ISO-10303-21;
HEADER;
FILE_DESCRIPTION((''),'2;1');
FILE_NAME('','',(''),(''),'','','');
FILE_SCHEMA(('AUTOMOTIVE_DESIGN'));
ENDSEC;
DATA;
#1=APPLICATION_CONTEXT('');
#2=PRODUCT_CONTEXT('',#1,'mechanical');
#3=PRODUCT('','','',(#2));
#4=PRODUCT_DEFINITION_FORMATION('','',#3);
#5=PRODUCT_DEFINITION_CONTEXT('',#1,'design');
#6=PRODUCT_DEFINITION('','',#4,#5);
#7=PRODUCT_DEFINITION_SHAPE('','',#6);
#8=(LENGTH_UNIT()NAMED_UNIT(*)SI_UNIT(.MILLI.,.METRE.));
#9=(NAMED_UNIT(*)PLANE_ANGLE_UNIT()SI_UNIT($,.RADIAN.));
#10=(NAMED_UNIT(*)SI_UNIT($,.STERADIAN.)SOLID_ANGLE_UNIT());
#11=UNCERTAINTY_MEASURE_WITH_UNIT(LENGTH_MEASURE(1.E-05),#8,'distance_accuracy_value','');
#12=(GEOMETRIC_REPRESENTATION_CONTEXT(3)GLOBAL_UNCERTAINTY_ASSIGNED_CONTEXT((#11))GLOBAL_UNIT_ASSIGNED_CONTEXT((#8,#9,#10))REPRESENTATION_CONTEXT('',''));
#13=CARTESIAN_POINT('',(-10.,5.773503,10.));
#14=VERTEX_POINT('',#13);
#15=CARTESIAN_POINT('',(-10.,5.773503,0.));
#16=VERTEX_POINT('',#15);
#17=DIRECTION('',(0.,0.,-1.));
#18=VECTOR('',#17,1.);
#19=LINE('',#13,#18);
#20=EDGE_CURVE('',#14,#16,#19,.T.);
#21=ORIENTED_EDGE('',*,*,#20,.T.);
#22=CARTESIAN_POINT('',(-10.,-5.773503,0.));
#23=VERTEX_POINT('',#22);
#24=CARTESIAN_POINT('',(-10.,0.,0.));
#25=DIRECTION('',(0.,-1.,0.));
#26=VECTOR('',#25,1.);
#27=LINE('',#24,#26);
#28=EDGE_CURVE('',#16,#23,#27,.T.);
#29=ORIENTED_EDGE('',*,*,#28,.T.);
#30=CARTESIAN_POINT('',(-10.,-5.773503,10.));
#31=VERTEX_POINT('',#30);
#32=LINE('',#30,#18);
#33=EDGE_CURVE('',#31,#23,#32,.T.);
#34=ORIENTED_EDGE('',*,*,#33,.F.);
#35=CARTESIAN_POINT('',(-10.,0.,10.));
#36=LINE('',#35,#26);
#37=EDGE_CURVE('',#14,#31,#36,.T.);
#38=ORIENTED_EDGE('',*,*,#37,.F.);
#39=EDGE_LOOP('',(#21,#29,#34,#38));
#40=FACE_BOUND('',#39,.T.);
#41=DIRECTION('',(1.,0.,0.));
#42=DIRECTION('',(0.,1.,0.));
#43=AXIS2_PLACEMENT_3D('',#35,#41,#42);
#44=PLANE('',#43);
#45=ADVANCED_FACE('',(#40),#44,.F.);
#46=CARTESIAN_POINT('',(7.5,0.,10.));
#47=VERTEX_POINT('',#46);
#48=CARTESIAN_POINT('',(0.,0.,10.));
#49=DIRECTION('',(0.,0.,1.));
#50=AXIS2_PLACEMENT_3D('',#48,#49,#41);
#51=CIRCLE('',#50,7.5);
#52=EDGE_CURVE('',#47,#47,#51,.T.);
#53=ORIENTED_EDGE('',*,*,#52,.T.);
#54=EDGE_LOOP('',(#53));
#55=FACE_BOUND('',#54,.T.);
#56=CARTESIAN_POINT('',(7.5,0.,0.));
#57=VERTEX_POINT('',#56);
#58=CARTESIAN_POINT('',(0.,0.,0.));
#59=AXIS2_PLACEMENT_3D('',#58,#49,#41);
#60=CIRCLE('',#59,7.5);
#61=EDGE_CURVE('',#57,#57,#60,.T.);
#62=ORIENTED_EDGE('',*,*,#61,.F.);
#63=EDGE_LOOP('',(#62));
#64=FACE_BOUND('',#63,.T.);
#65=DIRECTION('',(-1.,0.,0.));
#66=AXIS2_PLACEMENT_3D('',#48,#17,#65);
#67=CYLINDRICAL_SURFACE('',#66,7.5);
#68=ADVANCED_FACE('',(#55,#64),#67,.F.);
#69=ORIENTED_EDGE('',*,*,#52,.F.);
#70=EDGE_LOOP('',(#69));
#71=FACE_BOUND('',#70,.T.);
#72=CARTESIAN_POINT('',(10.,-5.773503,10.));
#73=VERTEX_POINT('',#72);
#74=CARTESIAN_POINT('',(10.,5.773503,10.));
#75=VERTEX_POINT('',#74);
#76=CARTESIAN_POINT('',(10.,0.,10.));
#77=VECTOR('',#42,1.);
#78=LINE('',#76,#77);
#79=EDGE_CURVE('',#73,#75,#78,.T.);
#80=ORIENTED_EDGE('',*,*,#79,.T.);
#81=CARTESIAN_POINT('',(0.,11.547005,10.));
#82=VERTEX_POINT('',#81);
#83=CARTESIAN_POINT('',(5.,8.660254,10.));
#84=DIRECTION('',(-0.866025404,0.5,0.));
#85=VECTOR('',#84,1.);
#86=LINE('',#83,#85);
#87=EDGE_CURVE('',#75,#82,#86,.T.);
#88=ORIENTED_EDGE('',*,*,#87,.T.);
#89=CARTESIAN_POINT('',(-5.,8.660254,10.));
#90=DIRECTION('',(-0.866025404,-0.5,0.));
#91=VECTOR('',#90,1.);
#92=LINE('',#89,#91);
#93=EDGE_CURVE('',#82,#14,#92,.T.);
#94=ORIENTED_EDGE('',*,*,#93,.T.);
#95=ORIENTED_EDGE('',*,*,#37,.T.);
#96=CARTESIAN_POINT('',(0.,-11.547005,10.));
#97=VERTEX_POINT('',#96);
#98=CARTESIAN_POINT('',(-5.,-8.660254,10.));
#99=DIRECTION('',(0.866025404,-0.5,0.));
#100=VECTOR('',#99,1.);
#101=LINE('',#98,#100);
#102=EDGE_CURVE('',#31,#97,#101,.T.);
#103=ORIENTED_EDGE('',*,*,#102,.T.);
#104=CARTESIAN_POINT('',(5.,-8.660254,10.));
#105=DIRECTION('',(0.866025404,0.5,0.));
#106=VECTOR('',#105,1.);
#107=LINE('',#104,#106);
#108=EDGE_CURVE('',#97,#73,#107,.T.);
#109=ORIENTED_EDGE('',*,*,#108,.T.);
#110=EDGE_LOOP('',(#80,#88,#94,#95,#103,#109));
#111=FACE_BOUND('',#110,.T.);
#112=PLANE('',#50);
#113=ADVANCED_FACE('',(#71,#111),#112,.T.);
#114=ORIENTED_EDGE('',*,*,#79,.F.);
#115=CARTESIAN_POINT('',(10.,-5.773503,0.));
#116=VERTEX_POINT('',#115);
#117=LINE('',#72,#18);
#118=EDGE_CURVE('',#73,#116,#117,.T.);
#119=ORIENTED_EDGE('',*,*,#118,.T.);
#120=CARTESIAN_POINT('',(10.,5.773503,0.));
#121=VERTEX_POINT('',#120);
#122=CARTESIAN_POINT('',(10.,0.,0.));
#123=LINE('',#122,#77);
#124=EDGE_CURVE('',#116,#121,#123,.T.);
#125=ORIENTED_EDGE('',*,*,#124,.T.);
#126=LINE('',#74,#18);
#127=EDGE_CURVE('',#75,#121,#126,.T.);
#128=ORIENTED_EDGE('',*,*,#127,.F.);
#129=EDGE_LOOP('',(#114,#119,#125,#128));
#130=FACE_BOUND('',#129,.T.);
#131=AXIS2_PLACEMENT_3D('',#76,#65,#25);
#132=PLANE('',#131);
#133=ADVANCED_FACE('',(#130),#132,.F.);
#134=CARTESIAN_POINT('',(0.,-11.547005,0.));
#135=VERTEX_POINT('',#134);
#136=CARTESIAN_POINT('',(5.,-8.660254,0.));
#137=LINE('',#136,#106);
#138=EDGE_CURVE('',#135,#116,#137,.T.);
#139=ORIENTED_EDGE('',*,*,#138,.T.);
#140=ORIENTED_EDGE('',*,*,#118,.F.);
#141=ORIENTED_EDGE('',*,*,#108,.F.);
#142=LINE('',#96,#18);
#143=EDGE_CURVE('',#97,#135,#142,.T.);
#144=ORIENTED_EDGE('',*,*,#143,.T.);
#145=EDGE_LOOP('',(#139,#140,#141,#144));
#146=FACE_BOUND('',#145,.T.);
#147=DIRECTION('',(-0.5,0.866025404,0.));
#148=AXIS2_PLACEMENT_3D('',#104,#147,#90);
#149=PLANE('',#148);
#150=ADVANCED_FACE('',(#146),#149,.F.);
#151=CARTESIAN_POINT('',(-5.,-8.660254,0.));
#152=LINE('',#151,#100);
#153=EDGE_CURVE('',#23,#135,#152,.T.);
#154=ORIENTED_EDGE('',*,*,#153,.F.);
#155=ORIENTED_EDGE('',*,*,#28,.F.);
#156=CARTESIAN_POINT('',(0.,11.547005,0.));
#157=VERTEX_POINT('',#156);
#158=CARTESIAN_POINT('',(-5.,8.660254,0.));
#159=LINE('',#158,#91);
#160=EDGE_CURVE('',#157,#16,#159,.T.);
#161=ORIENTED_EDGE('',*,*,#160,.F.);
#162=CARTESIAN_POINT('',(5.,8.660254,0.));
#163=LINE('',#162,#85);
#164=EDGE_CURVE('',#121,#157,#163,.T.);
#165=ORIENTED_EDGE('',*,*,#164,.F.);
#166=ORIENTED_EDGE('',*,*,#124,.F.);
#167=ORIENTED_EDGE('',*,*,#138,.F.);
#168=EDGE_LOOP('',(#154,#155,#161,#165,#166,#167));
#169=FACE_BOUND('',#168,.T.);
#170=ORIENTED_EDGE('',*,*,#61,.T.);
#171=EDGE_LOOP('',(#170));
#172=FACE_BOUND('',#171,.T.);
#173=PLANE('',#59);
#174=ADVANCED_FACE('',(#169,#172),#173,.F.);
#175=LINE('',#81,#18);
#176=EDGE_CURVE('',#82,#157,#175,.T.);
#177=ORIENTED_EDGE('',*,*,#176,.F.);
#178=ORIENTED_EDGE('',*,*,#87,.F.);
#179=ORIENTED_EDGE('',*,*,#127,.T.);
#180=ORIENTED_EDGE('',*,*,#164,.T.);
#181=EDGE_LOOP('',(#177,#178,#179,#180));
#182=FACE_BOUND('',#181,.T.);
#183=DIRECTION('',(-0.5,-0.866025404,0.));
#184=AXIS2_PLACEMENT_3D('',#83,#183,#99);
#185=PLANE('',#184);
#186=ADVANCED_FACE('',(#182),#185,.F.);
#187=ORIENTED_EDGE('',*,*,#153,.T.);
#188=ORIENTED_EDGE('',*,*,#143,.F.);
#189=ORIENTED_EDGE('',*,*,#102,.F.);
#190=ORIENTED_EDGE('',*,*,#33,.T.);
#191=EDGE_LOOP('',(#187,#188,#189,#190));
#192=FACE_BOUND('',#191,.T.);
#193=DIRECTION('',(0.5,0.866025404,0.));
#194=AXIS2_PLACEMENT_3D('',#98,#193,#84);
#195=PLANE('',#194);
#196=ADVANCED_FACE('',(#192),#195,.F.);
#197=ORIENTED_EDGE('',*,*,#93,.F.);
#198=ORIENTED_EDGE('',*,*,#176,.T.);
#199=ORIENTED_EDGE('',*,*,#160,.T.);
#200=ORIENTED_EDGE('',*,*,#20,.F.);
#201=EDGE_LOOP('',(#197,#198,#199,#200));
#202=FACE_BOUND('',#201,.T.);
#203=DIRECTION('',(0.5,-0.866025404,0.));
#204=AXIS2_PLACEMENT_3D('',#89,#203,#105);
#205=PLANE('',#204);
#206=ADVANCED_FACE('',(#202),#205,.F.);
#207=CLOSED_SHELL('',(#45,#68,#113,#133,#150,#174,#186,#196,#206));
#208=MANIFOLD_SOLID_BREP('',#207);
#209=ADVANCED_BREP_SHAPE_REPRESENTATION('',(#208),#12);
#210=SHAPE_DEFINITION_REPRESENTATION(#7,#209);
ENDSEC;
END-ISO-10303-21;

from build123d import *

# Parameters (mm, degrees)
SKETCH1_R           = 7.5
BOSS_EXTRUDE1_DEPTH = 10


with BuildPart() as part:
    # Sketch1 → Boss-Extrude1 (new body)
    with BuildSketch(Plane.XY):
        Polygon((10, -5.773502692), (10, 5.773502692), (0, 11.547005384), (-10, 5.773502692), (-10, -5.773502692), (0, -11.547005384), align=None)
        Circle(SKETCH1_R, mode=Mode.SUBTRACT)
    extrude(amount=BOSS_EXTRUDE1_DEPTH)


solid = part.part
